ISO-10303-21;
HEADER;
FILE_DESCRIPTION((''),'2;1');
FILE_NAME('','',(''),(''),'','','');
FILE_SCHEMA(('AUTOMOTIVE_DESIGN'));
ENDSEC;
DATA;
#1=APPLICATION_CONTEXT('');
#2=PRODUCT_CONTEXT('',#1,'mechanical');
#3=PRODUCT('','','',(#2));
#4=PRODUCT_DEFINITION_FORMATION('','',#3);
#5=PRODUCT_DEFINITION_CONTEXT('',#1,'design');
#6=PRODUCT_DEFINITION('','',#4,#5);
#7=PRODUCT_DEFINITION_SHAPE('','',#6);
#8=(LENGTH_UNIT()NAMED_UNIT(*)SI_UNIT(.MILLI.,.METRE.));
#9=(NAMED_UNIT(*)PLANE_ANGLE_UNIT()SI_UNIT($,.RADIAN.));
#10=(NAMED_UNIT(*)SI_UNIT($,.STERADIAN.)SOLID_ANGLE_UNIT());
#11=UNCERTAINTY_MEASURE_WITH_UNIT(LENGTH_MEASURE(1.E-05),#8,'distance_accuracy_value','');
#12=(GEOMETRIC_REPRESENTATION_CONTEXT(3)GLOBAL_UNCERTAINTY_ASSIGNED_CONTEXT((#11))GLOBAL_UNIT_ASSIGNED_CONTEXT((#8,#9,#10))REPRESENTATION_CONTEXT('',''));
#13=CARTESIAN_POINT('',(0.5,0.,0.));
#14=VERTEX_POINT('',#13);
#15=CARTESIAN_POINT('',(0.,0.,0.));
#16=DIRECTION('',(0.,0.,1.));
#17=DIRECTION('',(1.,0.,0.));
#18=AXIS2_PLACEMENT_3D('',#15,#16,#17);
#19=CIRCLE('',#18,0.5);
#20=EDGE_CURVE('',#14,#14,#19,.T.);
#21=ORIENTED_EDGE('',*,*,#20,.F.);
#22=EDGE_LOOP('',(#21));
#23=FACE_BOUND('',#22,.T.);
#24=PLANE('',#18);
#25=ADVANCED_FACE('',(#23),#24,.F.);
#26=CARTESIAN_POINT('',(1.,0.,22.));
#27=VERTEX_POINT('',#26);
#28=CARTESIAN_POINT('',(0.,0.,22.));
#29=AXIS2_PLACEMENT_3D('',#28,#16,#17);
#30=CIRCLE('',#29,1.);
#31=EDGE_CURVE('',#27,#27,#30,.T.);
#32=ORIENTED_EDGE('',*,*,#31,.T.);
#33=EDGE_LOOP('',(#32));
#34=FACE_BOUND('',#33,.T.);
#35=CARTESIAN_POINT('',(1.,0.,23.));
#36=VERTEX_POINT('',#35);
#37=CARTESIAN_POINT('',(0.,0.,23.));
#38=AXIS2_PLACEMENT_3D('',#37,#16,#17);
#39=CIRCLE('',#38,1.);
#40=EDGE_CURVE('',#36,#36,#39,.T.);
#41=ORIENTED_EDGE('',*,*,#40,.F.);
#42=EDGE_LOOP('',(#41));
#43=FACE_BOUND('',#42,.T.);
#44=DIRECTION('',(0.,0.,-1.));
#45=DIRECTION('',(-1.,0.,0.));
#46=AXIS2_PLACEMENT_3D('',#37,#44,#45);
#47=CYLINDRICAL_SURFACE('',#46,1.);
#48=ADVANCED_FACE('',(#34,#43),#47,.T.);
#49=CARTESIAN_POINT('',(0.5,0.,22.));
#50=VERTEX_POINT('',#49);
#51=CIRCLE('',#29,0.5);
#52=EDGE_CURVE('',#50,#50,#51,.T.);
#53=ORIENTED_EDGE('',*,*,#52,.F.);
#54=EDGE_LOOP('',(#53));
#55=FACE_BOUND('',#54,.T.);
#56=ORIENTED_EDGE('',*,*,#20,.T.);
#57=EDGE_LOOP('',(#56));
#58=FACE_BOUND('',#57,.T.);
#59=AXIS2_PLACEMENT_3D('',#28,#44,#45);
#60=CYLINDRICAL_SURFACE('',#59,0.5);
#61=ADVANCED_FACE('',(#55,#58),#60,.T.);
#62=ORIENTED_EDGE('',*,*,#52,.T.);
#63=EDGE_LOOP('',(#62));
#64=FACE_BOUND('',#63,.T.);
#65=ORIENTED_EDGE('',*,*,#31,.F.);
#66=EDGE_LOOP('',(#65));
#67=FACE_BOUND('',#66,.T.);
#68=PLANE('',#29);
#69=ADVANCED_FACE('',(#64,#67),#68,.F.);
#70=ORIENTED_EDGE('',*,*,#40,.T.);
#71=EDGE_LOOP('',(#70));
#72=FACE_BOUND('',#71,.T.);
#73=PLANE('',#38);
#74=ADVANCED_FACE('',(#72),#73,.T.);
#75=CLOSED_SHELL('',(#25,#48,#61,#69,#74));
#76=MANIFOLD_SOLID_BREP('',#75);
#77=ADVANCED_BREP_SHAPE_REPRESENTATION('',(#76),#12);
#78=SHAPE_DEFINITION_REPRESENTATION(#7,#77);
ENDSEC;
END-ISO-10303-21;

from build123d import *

# Parameters (mm, degrees)
SKETCH2_R           = 0.5
BOSS_EXTRUDE2_DEPTH = 22
SKETCH3_R           = 1
BOSS_EXTRUDE3_DEPTH = 1


with BuildPart() as part:
    # Sketch2 → Boss-Extrude2 (new body)
    with BuildSketch(Plane.XY):
        Circle(SKETCH2_R)
    extrude(amount=BOSS_EXTRUDE2_DEPTH)

    # Sketch3 → Boss-Extrude3 (add)
    with BuildSketch(Plane.XY.offset(22)):
        Circle(SKETCH3_R)
    extrude(amount=BOSS_EXTRUDE3_DEPTH)


solid = part.part
